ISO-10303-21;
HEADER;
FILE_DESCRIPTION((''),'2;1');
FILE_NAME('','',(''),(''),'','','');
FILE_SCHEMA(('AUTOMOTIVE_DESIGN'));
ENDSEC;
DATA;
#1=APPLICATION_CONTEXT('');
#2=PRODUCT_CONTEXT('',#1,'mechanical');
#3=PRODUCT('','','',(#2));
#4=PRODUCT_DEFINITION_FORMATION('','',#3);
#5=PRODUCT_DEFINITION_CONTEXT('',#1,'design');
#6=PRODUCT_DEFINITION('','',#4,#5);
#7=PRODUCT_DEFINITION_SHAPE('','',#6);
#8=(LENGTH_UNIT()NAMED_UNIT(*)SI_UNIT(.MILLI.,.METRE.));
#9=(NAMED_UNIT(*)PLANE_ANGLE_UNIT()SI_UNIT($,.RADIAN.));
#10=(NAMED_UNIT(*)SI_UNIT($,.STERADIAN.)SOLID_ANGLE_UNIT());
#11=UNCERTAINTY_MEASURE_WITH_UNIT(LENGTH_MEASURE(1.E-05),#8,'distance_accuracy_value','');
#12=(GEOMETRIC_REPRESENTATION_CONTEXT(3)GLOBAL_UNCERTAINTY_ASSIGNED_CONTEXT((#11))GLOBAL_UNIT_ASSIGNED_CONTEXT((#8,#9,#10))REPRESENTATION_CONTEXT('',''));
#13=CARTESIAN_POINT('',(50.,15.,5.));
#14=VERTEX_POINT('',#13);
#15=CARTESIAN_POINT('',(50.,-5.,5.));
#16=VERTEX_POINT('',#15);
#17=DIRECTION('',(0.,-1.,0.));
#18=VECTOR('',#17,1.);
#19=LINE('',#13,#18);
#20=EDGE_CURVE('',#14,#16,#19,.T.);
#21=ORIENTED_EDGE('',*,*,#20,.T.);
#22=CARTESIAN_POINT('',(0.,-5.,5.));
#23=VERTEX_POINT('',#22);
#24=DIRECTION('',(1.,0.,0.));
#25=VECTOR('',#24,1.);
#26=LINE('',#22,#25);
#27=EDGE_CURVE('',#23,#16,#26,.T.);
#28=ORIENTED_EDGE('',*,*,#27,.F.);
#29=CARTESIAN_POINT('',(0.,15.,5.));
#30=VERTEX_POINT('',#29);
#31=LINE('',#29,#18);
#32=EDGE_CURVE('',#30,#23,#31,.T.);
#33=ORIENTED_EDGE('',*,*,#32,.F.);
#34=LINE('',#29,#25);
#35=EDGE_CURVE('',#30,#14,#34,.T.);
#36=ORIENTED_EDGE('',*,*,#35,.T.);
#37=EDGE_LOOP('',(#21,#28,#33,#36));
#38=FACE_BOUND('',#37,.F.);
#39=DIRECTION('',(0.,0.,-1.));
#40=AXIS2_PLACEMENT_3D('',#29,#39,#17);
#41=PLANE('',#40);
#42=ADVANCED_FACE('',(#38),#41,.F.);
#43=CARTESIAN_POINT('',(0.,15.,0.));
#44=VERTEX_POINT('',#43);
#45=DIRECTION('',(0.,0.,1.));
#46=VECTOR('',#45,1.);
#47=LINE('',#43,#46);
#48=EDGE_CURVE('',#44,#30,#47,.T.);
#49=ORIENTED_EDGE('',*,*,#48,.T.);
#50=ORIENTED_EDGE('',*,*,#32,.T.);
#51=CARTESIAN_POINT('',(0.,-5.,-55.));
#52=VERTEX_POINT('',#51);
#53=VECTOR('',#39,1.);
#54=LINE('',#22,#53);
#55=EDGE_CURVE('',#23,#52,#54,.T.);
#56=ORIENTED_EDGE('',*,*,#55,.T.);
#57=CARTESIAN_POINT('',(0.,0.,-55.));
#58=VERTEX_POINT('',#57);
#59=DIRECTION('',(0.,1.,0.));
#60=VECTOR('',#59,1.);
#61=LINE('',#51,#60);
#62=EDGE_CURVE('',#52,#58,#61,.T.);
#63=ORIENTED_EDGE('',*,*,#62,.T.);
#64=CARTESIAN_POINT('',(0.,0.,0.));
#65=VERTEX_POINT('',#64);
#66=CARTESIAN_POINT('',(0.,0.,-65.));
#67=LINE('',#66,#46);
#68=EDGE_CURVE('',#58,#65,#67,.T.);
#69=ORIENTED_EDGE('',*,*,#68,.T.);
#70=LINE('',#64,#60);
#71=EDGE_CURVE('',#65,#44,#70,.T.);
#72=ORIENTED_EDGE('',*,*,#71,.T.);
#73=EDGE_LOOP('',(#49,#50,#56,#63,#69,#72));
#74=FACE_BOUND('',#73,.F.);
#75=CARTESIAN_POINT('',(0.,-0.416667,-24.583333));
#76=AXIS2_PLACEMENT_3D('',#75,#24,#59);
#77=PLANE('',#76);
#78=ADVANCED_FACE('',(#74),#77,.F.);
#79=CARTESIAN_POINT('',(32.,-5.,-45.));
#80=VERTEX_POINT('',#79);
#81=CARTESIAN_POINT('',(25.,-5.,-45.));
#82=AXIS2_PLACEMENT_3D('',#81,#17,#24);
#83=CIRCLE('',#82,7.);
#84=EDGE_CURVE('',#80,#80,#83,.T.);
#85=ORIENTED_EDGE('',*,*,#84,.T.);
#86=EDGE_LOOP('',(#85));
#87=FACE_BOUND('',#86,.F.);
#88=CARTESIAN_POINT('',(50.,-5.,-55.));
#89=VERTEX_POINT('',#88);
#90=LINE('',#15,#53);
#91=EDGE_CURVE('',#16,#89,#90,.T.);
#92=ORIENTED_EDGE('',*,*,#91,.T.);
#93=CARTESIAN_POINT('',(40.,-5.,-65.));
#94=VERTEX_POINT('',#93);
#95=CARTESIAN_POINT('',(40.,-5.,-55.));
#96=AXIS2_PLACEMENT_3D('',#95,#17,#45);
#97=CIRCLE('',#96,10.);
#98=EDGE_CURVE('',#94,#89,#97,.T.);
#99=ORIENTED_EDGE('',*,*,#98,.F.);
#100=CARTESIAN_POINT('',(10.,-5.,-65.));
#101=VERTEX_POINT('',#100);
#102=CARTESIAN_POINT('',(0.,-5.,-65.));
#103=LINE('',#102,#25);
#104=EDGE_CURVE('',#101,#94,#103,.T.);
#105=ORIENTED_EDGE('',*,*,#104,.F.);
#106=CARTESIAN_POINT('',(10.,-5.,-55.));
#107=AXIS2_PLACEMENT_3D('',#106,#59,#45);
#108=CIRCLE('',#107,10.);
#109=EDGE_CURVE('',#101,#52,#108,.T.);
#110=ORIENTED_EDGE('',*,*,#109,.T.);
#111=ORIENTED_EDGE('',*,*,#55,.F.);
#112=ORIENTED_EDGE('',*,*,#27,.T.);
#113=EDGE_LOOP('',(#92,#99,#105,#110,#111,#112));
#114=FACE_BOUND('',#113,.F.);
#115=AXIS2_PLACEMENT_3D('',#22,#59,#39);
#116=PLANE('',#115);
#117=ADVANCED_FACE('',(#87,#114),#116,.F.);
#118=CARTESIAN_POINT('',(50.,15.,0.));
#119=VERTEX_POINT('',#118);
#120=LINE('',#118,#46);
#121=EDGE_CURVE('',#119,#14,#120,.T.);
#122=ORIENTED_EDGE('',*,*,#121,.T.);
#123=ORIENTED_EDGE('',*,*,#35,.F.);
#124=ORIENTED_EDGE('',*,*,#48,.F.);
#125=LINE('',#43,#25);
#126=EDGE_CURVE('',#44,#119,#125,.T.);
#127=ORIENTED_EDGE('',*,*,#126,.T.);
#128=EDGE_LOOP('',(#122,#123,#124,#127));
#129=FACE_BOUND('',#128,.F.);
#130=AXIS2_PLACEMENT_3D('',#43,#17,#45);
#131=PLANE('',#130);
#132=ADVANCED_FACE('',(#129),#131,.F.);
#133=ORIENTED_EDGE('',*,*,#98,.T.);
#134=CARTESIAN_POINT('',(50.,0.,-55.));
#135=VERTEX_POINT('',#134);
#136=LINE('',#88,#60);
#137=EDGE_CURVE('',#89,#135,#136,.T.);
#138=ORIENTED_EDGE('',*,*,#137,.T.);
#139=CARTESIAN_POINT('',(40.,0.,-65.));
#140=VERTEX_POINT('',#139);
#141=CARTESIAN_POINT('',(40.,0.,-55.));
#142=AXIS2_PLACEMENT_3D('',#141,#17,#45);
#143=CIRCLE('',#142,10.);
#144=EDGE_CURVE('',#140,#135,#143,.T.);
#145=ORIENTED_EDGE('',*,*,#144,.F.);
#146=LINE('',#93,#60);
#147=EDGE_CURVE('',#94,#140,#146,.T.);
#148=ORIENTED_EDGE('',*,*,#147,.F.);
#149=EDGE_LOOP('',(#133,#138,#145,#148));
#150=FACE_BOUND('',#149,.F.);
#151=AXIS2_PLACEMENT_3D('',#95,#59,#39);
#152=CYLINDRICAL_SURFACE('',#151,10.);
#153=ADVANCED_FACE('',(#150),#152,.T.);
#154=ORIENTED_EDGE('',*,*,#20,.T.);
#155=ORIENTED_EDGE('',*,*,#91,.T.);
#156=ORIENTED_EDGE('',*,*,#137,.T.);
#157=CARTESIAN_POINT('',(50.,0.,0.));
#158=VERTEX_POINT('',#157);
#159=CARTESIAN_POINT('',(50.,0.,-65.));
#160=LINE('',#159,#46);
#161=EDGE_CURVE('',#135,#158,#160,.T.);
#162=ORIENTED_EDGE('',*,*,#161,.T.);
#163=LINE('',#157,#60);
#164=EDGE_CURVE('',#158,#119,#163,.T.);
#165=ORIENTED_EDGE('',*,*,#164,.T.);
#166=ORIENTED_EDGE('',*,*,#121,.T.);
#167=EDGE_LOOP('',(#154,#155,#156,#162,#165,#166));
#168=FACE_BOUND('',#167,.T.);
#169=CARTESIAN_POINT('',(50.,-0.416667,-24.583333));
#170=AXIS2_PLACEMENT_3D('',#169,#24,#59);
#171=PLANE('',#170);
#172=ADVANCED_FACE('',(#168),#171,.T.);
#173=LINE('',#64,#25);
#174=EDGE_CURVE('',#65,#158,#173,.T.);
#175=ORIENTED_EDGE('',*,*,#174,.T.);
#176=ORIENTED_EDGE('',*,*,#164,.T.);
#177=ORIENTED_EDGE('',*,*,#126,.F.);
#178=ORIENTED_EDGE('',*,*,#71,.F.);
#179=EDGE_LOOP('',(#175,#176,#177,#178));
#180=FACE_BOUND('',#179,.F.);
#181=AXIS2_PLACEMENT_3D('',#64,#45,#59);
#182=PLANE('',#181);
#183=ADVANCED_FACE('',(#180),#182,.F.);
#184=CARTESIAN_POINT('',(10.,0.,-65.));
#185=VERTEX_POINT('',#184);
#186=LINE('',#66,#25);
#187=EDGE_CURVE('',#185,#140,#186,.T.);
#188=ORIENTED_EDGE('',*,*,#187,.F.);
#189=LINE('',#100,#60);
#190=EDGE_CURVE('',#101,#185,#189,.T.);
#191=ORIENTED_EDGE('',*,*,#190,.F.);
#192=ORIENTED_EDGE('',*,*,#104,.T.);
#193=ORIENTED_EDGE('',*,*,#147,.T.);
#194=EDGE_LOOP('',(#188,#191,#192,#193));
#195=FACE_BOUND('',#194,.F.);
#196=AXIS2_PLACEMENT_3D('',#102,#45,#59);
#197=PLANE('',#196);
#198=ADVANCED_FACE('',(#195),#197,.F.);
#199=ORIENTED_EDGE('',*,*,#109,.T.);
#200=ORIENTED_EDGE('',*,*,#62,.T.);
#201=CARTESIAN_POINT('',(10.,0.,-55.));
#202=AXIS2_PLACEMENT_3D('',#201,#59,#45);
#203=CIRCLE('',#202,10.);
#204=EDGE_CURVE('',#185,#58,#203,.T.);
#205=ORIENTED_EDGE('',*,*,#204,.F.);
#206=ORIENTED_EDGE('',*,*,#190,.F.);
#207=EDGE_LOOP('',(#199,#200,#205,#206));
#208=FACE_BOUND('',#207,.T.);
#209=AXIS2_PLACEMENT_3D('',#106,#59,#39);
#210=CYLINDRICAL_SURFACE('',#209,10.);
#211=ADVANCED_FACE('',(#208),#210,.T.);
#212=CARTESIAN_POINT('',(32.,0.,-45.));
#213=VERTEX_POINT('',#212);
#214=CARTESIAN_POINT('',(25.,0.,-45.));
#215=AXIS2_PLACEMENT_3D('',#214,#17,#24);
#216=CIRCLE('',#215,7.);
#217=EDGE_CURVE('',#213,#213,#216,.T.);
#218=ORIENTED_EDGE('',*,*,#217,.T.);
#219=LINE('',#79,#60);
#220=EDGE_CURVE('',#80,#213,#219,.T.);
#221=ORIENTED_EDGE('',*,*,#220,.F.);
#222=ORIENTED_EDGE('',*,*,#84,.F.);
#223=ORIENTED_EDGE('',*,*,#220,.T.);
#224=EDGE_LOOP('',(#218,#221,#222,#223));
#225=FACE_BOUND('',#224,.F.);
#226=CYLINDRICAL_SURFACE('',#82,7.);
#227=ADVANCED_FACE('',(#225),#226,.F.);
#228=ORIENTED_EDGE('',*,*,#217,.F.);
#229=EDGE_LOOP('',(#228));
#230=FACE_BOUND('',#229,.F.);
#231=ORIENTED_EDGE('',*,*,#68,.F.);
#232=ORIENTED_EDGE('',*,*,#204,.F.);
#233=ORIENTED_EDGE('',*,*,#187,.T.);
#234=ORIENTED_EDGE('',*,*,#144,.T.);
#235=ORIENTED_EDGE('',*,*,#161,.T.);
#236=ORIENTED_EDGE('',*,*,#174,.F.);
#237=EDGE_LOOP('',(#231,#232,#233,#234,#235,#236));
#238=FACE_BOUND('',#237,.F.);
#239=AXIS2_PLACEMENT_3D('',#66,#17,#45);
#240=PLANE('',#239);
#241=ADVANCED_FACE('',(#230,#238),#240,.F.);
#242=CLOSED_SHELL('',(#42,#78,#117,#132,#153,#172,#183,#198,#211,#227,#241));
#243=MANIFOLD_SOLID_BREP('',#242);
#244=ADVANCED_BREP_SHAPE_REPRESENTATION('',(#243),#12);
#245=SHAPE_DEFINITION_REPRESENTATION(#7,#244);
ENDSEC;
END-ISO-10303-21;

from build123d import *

# Parameters (mm, degrees)
F1_DEPTH = 50
F2_R     = 7
F3_DEPTH = 25
F4_R     = 10


with BuildPart() as f1:
    # F0 (on Right) → F1 (new body)
    with BuildSketch(Plane.YZ):
        Polygon((-5, -65), (0, -65), (0, 0), (15, 0), (15, 5), (-5, 5), align=None)
    extrude(amount=F1_DEPTH)

    # F2 (on face) → F3 (cut)
    with BuildSketch(Plane.XZ.offset(5)):
        with Locations((25, -45)):
            Circle(F2_R)
    extrude(amount=-F3_DEPTH, mode=Mode.SUBTRACT)

    # F4
    f4_edges = [f1.edges().sort_by_distance(p)[0] for p in [
        (0, -2.5, -65),
        (50, -2.5, -65),
    ]]
    fillet(f4_edges, radius=F4_R)


solid = f1.part
